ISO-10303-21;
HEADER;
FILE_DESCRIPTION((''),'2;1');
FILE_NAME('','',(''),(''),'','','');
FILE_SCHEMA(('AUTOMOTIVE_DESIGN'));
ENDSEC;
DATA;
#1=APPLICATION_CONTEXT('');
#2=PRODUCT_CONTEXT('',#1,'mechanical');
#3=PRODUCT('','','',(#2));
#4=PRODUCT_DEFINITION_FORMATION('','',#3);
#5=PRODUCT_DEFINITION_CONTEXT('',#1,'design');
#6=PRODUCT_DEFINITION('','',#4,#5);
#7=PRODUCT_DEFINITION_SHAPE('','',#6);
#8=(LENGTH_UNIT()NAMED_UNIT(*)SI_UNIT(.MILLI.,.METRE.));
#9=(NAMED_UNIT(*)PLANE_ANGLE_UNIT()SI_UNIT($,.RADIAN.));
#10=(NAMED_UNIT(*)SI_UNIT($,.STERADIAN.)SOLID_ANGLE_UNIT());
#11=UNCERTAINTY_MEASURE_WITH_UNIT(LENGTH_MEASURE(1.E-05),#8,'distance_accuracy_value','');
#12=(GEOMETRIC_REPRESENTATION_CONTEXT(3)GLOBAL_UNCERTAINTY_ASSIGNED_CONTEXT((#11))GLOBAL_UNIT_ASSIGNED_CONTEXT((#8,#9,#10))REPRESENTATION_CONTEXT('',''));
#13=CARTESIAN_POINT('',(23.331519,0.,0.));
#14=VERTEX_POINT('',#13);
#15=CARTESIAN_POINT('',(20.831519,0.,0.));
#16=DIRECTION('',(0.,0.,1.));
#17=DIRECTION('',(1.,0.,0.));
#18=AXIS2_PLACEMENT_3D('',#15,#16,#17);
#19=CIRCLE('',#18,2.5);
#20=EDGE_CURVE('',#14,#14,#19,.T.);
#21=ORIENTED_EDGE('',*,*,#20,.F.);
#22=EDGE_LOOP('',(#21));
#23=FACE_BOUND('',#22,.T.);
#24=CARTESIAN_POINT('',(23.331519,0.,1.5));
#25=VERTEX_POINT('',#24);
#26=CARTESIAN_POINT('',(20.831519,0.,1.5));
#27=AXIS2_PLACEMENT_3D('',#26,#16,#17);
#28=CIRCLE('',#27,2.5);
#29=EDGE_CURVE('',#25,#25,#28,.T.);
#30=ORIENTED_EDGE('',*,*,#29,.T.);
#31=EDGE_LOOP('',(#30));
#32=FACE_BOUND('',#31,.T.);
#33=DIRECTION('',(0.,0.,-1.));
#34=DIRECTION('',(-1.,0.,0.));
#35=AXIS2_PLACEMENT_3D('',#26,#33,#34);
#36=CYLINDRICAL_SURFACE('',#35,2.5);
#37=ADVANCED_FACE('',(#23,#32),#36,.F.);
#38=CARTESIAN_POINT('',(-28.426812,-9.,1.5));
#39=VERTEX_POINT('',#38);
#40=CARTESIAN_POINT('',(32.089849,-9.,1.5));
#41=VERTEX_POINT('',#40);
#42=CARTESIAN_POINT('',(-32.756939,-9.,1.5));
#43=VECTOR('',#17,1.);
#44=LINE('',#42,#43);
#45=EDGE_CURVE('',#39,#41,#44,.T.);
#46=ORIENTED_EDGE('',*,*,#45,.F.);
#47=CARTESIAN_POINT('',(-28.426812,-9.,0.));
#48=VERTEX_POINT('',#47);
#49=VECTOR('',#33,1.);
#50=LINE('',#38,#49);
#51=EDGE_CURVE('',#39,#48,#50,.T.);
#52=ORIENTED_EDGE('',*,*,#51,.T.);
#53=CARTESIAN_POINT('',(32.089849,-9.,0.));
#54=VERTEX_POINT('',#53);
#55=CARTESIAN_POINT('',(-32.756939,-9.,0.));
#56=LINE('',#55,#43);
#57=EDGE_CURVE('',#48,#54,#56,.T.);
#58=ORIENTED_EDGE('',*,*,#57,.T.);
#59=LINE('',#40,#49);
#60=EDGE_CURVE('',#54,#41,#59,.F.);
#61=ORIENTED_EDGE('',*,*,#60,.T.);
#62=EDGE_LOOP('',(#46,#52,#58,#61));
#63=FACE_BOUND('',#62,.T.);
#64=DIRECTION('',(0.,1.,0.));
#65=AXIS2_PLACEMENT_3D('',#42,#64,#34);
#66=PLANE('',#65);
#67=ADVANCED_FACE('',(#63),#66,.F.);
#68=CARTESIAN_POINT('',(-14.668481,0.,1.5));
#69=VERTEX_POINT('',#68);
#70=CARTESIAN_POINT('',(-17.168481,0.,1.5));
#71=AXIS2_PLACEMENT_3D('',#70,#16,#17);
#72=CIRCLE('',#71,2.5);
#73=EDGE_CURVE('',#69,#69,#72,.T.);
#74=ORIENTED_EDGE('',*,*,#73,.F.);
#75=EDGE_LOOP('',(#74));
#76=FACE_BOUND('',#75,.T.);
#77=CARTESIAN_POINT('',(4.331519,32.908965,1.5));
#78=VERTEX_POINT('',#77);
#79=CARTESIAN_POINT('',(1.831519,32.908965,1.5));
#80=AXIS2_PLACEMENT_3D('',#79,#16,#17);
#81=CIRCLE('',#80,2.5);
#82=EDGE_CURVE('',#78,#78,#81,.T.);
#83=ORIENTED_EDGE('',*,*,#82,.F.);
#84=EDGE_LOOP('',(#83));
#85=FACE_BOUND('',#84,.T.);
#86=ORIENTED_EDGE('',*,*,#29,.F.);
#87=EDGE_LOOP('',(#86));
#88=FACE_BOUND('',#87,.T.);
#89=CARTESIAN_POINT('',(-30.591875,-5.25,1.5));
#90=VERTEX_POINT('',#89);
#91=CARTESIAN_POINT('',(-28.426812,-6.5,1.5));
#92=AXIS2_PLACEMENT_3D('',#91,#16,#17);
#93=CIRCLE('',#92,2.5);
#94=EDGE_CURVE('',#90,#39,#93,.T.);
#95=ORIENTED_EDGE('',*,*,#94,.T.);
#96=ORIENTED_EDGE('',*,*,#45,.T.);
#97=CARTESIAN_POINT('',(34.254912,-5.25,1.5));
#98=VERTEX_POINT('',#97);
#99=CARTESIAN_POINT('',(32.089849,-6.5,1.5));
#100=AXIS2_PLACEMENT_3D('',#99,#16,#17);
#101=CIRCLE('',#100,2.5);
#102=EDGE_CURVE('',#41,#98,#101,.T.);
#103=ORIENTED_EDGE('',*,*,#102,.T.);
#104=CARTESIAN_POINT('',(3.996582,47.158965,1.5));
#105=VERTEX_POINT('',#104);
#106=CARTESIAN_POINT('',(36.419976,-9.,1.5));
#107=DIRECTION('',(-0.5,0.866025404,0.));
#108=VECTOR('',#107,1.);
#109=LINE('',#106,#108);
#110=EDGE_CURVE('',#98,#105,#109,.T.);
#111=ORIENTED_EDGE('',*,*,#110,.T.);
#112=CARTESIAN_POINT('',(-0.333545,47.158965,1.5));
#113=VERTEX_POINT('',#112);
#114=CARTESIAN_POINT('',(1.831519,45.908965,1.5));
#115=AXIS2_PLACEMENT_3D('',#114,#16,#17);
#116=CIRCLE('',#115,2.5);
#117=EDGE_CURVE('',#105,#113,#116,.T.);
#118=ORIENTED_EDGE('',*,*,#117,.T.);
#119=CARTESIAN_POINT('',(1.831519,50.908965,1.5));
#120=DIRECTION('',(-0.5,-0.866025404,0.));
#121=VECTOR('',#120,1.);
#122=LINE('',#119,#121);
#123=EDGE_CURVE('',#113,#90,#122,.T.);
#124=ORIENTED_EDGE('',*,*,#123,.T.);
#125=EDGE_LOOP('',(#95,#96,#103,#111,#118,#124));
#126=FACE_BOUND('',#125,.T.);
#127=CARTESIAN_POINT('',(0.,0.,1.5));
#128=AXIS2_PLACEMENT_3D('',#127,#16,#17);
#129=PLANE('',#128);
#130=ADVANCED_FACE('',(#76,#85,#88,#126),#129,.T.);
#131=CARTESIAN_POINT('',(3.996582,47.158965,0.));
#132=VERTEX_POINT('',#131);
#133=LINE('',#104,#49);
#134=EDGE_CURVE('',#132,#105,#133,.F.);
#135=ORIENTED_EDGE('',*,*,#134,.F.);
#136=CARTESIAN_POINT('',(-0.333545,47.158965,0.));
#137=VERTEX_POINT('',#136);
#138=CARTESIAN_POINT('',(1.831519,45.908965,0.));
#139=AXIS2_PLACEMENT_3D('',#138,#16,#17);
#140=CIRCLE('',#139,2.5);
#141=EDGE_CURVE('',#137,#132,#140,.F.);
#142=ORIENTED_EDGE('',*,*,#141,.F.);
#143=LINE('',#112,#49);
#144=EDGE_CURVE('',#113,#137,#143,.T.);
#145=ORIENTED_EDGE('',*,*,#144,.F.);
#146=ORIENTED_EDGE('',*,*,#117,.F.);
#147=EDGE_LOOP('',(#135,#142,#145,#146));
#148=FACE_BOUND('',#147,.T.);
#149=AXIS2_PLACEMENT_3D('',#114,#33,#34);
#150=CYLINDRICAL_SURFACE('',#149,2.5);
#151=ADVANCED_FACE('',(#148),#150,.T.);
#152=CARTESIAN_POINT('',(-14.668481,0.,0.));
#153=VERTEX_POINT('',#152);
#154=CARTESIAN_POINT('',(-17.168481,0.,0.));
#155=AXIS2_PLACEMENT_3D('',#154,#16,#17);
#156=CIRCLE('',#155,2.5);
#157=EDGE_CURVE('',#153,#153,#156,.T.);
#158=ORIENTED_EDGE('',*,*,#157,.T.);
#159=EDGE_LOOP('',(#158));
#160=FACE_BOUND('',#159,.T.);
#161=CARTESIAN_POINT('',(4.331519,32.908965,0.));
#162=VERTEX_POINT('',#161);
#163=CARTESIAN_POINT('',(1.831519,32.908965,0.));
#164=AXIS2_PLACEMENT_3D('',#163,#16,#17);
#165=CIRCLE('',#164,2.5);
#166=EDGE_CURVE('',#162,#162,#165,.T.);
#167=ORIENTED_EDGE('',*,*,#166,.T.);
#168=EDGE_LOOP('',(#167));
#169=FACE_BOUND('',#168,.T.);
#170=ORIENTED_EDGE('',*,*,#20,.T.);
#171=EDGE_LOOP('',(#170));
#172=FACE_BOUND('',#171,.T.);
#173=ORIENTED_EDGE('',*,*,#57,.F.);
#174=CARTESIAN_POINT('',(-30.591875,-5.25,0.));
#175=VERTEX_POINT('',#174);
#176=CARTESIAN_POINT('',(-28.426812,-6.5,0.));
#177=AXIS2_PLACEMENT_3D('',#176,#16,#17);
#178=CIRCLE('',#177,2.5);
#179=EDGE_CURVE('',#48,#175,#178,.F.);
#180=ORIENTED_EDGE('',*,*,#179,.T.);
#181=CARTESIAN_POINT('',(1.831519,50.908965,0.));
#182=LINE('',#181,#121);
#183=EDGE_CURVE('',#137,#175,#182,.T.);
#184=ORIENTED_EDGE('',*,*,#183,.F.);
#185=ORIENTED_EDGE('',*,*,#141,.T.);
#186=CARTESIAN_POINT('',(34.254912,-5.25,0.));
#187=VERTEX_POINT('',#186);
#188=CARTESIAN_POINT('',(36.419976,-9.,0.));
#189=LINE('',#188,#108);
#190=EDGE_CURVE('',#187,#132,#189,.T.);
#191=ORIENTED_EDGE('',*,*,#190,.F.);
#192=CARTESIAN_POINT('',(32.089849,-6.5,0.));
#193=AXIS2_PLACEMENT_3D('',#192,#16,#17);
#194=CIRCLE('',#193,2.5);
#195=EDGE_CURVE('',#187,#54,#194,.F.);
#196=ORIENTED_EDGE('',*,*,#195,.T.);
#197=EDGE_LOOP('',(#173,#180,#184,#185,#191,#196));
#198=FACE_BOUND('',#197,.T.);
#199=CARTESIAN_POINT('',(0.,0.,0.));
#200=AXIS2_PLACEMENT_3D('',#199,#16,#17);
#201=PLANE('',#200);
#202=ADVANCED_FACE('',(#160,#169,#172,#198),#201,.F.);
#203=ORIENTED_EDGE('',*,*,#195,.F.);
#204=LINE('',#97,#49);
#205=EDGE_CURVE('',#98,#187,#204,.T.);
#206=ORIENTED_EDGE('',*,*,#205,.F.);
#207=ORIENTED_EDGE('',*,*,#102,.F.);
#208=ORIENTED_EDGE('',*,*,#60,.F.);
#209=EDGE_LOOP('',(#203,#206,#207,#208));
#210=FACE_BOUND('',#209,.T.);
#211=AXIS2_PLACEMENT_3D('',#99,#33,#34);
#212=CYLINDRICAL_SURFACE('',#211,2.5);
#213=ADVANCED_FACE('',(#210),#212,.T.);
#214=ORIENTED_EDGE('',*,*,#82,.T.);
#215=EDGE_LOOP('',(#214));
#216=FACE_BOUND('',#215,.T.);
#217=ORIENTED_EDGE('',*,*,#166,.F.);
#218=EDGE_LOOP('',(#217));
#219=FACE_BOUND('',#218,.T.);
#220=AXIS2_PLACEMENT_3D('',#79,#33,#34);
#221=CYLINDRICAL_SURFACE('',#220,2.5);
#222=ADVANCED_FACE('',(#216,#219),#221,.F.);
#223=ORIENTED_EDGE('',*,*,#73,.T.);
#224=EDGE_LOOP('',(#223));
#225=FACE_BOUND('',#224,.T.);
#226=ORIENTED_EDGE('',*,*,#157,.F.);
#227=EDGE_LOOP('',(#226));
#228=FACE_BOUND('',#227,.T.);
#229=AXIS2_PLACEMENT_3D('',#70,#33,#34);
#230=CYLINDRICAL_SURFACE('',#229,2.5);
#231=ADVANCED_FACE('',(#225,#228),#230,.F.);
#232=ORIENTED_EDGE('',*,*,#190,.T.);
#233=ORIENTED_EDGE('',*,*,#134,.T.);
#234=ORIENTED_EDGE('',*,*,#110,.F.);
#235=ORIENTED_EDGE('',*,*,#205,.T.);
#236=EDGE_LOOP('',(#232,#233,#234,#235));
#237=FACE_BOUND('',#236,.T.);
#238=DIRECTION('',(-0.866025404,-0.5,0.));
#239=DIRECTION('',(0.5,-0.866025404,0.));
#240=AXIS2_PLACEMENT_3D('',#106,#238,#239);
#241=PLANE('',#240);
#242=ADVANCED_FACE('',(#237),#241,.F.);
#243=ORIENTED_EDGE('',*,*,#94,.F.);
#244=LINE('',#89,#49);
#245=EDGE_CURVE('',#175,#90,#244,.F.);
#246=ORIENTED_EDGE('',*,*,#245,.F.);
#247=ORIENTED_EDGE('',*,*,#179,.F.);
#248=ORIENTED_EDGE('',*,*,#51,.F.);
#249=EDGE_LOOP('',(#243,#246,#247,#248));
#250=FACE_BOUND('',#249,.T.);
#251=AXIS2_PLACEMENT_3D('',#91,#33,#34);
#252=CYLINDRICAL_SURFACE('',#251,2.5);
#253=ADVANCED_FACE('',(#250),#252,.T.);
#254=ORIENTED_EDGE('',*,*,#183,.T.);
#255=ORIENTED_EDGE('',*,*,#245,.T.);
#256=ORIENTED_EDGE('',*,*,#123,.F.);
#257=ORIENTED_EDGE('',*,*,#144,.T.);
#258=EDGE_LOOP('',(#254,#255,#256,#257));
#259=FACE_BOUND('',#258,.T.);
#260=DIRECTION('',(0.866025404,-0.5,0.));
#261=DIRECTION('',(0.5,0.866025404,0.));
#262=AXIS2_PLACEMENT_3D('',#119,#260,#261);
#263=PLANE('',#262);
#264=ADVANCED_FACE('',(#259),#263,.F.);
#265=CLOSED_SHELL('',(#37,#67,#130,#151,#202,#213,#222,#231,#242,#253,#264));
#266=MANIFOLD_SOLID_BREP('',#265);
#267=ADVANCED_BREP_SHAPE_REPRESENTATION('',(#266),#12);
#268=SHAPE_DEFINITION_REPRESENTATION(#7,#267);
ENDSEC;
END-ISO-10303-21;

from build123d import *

# Parameters (mm, degrees)
SKETCH1_R           = 2.5
BOSS_EXTRUDE1_DEPTH = 1.5
FILLET1_R           = 2.5


with BuildPart() as part:
    # Sketch1 → Boss-Extrude1 (new body)
    with BuildSketch(Plane.XY):
        Polygon((-32.756938656, -9), (36.41997588, -9), (1.831518612, 50.908965344), align=None)
        with Locations((-17.168481388, 0)):
            Circle(SKETCH1_R, mode=Mode.SUBTRACT)
        with Locations((20.831518612, 0)):
            Circle(SKETCH1_R, mode=Mode.SUBTRACT)
        with Locations((1.831518612, 32.908965344)):
            Circle(SKETCH1_R, mode=Mode.SUBTRACT)
    extrude(amount=BOSS_EXTRUDE1_DEPTH)

    # Fillet1
    fillet1_edges = [part.edges().sort_by_distance(p)[0] for p in [
        (1.831518612, 50.908965344, 0.75),
        (36.41997588, -9, 0.75),
        (-32.756938656, -9, 0.75),
    ]]
    fillet(fillet1_edges, radius=FILLET1_R)


solid = part.part
